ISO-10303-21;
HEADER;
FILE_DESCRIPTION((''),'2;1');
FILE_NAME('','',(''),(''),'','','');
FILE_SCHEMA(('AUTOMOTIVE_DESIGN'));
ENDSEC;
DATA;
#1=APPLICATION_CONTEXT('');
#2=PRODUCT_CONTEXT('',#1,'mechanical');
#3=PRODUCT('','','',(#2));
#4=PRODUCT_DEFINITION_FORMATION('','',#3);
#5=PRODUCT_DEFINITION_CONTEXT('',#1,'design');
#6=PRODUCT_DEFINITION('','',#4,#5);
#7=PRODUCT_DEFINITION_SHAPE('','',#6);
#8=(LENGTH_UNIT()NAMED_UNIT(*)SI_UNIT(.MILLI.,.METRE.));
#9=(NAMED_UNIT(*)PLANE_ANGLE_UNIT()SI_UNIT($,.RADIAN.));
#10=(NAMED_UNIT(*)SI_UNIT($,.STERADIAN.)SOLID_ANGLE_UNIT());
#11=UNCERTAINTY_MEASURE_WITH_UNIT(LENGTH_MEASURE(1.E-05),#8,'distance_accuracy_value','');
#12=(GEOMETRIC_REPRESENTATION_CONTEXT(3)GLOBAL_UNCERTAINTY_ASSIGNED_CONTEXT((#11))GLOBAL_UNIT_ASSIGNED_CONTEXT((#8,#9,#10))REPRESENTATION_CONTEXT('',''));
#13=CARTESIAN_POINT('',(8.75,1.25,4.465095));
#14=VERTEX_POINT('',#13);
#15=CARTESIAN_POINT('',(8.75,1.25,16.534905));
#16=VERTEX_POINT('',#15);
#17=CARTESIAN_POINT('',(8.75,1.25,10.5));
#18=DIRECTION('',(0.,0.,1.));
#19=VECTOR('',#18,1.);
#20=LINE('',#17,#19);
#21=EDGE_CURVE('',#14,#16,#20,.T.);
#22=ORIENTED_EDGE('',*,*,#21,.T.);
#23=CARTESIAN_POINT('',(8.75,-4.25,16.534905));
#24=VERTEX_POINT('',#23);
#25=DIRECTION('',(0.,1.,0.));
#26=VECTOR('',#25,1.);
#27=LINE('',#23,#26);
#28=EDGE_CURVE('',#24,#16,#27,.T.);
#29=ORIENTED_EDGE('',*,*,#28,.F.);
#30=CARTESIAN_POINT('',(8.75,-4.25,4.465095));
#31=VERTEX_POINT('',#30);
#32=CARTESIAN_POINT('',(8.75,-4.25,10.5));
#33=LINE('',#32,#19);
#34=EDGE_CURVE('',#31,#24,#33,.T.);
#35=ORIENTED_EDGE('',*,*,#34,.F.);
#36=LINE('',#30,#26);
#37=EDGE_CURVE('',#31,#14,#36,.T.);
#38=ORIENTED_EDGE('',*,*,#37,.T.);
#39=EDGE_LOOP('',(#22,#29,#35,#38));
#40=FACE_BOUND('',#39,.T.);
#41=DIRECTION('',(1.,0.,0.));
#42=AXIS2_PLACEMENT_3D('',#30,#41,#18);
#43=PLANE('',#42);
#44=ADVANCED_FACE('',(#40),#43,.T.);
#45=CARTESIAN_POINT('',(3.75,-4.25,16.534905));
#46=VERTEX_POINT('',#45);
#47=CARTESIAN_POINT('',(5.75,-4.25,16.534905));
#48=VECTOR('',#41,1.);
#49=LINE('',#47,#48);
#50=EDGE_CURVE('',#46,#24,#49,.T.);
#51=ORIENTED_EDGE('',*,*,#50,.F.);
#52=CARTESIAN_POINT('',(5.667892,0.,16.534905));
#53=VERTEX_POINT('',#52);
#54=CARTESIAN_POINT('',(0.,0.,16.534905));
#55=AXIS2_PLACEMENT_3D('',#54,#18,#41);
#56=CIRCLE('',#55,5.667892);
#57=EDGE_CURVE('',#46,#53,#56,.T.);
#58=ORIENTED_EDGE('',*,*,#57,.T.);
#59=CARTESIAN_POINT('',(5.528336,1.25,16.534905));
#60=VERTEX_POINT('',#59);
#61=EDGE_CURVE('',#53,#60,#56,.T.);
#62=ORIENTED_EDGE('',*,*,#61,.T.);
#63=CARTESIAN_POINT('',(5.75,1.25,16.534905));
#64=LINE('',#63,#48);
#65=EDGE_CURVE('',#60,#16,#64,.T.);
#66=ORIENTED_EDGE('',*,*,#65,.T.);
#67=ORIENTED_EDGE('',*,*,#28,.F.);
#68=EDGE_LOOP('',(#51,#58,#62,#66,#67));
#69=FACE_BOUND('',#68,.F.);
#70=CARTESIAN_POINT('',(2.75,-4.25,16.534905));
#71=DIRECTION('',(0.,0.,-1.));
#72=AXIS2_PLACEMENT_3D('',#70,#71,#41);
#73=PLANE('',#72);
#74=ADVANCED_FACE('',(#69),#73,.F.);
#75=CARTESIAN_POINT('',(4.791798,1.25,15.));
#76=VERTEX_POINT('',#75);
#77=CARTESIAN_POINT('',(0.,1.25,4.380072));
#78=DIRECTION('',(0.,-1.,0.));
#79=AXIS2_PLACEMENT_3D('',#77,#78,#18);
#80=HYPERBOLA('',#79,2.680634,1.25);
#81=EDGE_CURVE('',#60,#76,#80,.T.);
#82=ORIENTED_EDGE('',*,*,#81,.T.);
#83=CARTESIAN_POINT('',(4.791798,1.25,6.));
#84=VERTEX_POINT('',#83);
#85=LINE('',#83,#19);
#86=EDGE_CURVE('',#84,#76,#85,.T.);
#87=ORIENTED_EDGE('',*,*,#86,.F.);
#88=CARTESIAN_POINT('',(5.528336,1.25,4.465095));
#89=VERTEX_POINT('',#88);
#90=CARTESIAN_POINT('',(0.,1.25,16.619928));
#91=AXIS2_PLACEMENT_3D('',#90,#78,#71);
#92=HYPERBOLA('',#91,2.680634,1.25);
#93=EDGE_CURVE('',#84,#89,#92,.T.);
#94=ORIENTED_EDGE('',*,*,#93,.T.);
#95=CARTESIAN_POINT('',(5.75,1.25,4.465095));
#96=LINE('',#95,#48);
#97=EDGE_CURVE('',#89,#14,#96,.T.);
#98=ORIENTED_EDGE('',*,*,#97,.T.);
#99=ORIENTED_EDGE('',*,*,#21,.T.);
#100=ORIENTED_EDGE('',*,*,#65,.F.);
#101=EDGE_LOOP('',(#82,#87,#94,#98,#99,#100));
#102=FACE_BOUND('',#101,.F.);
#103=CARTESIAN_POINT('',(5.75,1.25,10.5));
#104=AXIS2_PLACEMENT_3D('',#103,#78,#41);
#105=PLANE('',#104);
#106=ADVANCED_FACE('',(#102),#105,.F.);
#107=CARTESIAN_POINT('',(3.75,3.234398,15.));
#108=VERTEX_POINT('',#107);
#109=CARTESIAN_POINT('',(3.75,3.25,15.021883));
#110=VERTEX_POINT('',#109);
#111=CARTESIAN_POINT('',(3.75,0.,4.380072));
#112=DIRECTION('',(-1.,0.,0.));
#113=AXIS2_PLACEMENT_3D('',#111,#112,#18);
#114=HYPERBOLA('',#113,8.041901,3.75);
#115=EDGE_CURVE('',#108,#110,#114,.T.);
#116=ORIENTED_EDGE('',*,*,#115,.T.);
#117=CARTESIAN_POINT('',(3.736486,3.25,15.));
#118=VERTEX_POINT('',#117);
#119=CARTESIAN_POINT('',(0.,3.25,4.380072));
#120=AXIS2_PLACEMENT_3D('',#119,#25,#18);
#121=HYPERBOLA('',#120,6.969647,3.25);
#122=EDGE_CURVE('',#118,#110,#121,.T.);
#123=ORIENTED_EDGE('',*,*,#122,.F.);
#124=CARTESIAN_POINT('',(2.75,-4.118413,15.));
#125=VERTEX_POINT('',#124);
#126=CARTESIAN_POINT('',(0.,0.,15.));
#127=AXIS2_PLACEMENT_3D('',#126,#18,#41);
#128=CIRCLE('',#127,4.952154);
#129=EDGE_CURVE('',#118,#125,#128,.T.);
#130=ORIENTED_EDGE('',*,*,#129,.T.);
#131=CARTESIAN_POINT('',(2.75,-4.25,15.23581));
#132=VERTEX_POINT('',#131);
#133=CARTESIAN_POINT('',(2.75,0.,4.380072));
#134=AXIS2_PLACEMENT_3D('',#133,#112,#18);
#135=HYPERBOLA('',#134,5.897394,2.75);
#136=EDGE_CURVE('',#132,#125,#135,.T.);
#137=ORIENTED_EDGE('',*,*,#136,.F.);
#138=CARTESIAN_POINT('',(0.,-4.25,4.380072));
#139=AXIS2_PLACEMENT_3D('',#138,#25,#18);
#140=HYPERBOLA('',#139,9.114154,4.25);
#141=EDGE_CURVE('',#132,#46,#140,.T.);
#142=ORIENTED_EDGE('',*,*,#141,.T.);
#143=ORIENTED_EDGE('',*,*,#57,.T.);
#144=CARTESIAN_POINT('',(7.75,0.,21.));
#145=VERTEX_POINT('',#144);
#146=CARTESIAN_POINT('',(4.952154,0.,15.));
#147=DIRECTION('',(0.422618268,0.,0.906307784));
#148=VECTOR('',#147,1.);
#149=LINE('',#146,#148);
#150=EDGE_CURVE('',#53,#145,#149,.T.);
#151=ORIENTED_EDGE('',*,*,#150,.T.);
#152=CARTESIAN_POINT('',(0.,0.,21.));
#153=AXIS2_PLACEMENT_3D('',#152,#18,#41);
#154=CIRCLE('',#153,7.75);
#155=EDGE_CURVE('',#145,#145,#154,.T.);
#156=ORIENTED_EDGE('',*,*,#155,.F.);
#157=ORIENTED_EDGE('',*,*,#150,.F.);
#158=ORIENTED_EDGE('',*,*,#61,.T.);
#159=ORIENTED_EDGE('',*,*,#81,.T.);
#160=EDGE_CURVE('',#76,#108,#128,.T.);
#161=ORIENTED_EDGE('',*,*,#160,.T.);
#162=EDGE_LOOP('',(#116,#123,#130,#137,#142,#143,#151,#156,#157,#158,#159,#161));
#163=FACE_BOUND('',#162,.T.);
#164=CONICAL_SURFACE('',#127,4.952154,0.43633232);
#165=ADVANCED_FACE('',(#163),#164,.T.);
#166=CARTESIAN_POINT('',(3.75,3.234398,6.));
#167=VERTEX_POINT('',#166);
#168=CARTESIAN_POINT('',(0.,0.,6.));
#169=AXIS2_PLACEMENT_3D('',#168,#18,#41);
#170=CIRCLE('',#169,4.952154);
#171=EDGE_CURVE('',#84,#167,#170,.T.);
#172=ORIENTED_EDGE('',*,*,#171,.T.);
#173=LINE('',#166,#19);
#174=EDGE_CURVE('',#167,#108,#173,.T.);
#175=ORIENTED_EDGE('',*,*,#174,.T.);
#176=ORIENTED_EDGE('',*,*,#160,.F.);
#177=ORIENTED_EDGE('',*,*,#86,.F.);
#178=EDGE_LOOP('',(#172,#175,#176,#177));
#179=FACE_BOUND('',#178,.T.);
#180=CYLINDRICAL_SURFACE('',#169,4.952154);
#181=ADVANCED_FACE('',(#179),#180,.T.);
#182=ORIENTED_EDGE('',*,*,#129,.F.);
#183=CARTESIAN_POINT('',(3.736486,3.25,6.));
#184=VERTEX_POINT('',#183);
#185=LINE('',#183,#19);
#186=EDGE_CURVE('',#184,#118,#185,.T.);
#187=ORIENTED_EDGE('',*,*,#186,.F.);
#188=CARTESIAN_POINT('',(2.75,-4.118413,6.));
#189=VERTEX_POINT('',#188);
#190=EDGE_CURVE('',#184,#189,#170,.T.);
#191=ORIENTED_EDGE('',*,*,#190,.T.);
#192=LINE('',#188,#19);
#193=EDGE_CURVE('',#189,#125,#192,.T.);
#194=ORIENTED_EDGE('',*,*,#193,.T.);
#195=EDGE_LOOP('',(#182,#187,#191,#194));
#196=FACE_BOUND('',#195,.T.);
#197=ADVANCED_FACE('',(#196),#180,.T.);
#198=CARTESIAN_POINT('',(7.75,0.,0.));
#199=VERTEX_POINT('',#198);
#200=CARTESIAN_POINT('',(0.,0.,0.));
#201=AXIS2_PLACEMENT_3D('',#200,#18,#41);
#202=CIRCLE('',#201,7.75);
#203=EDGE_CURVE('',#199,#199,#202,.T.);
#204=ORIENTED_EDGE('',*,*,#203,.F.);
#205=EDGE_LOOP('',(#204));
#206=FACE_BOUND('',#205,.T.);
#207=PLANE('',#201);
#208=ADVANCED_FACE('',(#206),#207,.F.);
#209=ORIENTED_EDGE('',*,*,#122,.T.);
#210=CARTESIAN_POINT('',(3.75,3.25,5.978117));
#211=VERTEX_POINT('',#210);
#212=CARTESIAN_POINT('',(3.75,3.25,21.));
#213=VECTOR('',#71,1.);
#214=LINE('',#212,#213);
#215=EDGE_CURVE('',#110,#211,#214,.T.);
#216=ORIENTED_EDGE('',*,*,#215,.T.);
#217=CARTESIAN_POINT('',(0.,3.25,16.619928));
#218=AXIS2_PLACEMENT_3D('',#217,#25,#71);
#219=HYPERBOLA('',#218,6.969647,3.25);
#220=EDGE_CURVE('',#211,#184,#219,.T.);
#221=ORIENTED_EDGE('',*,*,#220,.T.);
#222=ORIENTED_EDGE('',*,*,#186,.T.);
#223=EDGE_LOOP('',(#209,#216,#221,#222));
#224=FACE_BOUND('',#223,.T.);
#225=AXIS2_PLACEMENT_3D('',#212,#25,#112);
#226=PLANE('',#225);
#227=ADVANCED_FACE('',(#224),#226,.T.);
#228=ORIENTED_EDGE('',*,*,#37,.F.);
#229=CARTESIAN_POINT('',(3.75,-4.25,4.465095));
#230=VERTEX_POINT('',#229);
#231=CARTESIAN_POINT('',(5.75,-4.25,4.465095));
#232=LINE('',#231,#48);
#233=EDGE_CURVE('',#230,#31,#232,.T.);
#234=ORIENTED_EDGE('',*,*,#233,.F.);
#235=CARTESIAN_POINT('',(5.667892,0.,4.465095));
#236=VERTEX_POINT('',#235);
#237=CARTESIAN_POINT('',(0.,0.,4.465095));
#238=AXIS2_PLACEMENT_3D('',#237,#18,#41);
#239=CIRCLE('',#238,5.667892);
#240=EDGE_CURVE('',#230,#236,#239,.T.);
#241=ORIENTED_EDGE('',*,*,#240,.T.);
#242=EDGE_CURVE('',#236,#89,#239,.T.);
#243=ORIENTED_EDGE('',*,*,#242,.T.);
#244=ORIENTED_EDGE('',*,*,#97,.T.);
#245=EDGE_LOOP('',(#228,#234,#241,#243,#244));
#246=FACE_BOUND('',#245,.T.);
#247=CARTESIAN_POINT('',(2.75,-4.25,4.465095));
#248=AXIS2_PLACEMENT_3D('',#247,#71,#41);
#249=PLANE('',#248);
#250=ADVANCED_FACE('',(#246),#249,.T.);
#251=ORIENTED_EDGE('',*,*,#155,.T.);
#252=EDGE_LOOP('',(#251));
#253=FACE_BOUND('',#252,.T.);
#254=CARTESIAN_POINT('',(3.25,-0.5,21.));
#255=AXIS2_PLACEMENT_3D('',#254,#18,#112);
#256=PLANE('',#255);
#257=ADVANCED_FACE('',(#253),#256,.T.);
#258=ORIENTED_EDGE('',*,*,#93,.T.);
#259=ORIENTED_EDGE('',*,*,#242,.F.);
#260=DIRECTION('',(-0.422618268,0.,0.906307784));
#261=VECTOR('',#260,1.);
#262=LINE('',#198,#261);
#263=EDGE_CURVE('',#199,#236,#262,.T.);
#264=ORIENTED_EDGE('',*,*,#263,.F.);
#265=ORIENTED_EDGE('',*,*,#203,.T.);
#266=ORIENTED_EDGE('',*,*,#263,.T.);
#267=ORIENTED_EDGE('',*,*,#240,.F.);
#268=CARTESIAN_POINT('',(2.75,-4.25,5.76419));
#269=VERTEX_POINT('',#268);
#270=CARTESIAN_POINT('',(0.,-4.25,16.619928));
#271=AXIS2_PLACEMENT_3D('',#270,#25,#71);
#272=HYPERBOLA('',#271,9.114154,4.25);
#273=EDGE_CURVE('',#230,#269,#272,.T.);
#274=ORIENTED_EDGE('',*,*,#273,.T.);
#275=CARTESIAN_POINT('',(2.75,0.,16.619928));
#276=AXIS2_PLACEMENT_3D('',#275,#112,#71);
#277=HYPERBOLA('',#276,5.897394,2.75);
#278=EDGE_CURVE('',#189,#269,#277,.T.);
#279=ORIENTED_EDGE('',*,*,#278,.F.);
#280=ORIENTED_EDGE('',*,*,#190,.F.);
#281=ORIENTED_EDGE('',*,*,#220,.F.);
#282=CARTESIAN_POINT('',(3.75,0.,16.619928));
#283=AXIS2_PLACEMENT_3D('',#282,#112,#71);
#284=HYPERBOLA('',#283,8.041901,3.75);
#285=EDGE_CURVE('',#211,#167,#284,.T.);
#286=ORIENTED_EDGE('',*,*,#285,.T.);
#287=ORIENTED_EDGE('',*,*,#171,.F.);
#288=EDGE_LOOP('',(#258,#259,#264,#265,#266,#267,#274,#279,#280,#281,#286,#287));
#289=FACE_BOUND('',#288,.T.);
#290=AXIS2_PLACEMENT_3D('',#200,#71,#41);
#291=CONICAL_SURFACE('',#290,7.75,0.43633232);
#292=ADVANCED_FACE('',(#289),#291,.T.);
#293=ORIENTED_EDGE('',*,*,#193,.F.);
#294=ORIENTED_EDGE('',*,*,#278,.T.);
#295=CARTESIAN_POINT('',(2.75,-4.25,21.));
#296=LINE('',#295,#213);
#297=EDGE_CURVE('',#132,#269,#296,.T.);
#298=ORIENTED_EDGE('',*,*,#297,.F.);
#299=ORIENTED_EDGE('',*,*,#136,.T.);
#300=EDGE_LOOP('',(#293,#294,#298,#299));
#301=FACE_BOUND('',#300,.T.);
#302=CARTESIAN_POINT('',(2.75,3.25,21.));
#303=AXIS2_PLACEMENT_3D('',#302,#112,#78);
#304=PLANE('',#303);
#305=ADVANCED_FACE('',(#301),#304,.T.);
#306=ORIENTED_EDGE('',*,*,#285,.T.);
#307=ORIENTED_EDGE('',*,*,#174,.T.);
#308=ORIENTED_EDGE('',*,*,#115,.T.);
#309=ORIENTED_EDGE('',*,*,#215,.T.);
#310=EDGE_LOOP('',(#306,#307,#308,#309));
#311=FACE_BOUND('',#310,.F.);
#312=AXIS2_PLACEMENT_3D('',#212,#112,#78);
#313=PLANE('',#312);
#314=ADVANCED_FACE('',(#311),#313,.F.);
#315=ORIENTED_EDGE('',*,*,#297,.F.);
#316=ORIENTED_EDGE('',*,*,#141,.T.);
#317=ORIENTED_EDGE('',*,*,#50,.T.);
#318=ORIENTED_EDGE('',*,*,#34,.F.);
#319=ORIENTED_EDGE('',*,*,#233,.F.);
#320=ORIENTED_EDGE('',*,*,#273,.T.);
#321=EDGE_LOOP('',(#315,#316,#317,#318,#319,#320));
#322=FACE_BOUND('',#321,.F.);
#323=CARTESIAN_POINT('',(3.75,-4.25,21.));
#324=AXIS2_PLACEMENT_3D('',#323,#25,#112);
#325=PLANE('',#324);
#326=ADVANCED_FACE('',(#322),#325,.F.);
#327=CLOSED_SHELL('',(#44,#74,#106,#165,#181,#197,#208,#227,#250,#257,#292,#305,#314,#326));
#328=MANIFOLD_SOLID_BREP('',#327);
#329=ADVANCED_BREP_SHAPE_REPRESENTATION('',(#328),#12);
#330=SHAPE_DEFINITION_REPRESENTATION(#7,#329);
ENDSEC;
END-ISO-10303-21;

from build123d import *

# Parameters (mm, degrees)
SKETCH001_W  = 1
SKETCH001_H  = 7.5
PAD_DEPTH    = 20
SKETCH002_W  = 6
SKETCH002_H  = 12.06981
PAD001_DEPTH = 5.5


with BuildPart() as part:
    # Sketch → Revolution (revolve)
    with BuildSketch(Plane.XZ):
        Polygon((0, 0), (7.75, 0), (4.952154, 6), (4.952154, 15), (7.75, 21), (0, 21), align=None)
    revolve(axis=Axis((0, 0, 0), (0, 0, 1)))

    # Sketch001 → Pad (new body)
    with BuildSketch(Plane(origin=(0, 0, 21), x_dir=(-1, 0, 0), z_dir=(0, 0, 1))):
        with Locations((-3.25, 0.5)):
            Rectangle(SKETCH001_W, SKETCH001_H)
    extrude(amount=-PAD_DEPTH)

    # Sketch002 → Pad001 (new body)
    with BuildSketch(Plane.XZ.offset(4.25)):
        with Locations((5.75, 10.5)):
            Rectangle(SKETCH002_W, SKETCH002_H)
    extrude(amount=-PAD001_DEPTH)


solid = part.part
